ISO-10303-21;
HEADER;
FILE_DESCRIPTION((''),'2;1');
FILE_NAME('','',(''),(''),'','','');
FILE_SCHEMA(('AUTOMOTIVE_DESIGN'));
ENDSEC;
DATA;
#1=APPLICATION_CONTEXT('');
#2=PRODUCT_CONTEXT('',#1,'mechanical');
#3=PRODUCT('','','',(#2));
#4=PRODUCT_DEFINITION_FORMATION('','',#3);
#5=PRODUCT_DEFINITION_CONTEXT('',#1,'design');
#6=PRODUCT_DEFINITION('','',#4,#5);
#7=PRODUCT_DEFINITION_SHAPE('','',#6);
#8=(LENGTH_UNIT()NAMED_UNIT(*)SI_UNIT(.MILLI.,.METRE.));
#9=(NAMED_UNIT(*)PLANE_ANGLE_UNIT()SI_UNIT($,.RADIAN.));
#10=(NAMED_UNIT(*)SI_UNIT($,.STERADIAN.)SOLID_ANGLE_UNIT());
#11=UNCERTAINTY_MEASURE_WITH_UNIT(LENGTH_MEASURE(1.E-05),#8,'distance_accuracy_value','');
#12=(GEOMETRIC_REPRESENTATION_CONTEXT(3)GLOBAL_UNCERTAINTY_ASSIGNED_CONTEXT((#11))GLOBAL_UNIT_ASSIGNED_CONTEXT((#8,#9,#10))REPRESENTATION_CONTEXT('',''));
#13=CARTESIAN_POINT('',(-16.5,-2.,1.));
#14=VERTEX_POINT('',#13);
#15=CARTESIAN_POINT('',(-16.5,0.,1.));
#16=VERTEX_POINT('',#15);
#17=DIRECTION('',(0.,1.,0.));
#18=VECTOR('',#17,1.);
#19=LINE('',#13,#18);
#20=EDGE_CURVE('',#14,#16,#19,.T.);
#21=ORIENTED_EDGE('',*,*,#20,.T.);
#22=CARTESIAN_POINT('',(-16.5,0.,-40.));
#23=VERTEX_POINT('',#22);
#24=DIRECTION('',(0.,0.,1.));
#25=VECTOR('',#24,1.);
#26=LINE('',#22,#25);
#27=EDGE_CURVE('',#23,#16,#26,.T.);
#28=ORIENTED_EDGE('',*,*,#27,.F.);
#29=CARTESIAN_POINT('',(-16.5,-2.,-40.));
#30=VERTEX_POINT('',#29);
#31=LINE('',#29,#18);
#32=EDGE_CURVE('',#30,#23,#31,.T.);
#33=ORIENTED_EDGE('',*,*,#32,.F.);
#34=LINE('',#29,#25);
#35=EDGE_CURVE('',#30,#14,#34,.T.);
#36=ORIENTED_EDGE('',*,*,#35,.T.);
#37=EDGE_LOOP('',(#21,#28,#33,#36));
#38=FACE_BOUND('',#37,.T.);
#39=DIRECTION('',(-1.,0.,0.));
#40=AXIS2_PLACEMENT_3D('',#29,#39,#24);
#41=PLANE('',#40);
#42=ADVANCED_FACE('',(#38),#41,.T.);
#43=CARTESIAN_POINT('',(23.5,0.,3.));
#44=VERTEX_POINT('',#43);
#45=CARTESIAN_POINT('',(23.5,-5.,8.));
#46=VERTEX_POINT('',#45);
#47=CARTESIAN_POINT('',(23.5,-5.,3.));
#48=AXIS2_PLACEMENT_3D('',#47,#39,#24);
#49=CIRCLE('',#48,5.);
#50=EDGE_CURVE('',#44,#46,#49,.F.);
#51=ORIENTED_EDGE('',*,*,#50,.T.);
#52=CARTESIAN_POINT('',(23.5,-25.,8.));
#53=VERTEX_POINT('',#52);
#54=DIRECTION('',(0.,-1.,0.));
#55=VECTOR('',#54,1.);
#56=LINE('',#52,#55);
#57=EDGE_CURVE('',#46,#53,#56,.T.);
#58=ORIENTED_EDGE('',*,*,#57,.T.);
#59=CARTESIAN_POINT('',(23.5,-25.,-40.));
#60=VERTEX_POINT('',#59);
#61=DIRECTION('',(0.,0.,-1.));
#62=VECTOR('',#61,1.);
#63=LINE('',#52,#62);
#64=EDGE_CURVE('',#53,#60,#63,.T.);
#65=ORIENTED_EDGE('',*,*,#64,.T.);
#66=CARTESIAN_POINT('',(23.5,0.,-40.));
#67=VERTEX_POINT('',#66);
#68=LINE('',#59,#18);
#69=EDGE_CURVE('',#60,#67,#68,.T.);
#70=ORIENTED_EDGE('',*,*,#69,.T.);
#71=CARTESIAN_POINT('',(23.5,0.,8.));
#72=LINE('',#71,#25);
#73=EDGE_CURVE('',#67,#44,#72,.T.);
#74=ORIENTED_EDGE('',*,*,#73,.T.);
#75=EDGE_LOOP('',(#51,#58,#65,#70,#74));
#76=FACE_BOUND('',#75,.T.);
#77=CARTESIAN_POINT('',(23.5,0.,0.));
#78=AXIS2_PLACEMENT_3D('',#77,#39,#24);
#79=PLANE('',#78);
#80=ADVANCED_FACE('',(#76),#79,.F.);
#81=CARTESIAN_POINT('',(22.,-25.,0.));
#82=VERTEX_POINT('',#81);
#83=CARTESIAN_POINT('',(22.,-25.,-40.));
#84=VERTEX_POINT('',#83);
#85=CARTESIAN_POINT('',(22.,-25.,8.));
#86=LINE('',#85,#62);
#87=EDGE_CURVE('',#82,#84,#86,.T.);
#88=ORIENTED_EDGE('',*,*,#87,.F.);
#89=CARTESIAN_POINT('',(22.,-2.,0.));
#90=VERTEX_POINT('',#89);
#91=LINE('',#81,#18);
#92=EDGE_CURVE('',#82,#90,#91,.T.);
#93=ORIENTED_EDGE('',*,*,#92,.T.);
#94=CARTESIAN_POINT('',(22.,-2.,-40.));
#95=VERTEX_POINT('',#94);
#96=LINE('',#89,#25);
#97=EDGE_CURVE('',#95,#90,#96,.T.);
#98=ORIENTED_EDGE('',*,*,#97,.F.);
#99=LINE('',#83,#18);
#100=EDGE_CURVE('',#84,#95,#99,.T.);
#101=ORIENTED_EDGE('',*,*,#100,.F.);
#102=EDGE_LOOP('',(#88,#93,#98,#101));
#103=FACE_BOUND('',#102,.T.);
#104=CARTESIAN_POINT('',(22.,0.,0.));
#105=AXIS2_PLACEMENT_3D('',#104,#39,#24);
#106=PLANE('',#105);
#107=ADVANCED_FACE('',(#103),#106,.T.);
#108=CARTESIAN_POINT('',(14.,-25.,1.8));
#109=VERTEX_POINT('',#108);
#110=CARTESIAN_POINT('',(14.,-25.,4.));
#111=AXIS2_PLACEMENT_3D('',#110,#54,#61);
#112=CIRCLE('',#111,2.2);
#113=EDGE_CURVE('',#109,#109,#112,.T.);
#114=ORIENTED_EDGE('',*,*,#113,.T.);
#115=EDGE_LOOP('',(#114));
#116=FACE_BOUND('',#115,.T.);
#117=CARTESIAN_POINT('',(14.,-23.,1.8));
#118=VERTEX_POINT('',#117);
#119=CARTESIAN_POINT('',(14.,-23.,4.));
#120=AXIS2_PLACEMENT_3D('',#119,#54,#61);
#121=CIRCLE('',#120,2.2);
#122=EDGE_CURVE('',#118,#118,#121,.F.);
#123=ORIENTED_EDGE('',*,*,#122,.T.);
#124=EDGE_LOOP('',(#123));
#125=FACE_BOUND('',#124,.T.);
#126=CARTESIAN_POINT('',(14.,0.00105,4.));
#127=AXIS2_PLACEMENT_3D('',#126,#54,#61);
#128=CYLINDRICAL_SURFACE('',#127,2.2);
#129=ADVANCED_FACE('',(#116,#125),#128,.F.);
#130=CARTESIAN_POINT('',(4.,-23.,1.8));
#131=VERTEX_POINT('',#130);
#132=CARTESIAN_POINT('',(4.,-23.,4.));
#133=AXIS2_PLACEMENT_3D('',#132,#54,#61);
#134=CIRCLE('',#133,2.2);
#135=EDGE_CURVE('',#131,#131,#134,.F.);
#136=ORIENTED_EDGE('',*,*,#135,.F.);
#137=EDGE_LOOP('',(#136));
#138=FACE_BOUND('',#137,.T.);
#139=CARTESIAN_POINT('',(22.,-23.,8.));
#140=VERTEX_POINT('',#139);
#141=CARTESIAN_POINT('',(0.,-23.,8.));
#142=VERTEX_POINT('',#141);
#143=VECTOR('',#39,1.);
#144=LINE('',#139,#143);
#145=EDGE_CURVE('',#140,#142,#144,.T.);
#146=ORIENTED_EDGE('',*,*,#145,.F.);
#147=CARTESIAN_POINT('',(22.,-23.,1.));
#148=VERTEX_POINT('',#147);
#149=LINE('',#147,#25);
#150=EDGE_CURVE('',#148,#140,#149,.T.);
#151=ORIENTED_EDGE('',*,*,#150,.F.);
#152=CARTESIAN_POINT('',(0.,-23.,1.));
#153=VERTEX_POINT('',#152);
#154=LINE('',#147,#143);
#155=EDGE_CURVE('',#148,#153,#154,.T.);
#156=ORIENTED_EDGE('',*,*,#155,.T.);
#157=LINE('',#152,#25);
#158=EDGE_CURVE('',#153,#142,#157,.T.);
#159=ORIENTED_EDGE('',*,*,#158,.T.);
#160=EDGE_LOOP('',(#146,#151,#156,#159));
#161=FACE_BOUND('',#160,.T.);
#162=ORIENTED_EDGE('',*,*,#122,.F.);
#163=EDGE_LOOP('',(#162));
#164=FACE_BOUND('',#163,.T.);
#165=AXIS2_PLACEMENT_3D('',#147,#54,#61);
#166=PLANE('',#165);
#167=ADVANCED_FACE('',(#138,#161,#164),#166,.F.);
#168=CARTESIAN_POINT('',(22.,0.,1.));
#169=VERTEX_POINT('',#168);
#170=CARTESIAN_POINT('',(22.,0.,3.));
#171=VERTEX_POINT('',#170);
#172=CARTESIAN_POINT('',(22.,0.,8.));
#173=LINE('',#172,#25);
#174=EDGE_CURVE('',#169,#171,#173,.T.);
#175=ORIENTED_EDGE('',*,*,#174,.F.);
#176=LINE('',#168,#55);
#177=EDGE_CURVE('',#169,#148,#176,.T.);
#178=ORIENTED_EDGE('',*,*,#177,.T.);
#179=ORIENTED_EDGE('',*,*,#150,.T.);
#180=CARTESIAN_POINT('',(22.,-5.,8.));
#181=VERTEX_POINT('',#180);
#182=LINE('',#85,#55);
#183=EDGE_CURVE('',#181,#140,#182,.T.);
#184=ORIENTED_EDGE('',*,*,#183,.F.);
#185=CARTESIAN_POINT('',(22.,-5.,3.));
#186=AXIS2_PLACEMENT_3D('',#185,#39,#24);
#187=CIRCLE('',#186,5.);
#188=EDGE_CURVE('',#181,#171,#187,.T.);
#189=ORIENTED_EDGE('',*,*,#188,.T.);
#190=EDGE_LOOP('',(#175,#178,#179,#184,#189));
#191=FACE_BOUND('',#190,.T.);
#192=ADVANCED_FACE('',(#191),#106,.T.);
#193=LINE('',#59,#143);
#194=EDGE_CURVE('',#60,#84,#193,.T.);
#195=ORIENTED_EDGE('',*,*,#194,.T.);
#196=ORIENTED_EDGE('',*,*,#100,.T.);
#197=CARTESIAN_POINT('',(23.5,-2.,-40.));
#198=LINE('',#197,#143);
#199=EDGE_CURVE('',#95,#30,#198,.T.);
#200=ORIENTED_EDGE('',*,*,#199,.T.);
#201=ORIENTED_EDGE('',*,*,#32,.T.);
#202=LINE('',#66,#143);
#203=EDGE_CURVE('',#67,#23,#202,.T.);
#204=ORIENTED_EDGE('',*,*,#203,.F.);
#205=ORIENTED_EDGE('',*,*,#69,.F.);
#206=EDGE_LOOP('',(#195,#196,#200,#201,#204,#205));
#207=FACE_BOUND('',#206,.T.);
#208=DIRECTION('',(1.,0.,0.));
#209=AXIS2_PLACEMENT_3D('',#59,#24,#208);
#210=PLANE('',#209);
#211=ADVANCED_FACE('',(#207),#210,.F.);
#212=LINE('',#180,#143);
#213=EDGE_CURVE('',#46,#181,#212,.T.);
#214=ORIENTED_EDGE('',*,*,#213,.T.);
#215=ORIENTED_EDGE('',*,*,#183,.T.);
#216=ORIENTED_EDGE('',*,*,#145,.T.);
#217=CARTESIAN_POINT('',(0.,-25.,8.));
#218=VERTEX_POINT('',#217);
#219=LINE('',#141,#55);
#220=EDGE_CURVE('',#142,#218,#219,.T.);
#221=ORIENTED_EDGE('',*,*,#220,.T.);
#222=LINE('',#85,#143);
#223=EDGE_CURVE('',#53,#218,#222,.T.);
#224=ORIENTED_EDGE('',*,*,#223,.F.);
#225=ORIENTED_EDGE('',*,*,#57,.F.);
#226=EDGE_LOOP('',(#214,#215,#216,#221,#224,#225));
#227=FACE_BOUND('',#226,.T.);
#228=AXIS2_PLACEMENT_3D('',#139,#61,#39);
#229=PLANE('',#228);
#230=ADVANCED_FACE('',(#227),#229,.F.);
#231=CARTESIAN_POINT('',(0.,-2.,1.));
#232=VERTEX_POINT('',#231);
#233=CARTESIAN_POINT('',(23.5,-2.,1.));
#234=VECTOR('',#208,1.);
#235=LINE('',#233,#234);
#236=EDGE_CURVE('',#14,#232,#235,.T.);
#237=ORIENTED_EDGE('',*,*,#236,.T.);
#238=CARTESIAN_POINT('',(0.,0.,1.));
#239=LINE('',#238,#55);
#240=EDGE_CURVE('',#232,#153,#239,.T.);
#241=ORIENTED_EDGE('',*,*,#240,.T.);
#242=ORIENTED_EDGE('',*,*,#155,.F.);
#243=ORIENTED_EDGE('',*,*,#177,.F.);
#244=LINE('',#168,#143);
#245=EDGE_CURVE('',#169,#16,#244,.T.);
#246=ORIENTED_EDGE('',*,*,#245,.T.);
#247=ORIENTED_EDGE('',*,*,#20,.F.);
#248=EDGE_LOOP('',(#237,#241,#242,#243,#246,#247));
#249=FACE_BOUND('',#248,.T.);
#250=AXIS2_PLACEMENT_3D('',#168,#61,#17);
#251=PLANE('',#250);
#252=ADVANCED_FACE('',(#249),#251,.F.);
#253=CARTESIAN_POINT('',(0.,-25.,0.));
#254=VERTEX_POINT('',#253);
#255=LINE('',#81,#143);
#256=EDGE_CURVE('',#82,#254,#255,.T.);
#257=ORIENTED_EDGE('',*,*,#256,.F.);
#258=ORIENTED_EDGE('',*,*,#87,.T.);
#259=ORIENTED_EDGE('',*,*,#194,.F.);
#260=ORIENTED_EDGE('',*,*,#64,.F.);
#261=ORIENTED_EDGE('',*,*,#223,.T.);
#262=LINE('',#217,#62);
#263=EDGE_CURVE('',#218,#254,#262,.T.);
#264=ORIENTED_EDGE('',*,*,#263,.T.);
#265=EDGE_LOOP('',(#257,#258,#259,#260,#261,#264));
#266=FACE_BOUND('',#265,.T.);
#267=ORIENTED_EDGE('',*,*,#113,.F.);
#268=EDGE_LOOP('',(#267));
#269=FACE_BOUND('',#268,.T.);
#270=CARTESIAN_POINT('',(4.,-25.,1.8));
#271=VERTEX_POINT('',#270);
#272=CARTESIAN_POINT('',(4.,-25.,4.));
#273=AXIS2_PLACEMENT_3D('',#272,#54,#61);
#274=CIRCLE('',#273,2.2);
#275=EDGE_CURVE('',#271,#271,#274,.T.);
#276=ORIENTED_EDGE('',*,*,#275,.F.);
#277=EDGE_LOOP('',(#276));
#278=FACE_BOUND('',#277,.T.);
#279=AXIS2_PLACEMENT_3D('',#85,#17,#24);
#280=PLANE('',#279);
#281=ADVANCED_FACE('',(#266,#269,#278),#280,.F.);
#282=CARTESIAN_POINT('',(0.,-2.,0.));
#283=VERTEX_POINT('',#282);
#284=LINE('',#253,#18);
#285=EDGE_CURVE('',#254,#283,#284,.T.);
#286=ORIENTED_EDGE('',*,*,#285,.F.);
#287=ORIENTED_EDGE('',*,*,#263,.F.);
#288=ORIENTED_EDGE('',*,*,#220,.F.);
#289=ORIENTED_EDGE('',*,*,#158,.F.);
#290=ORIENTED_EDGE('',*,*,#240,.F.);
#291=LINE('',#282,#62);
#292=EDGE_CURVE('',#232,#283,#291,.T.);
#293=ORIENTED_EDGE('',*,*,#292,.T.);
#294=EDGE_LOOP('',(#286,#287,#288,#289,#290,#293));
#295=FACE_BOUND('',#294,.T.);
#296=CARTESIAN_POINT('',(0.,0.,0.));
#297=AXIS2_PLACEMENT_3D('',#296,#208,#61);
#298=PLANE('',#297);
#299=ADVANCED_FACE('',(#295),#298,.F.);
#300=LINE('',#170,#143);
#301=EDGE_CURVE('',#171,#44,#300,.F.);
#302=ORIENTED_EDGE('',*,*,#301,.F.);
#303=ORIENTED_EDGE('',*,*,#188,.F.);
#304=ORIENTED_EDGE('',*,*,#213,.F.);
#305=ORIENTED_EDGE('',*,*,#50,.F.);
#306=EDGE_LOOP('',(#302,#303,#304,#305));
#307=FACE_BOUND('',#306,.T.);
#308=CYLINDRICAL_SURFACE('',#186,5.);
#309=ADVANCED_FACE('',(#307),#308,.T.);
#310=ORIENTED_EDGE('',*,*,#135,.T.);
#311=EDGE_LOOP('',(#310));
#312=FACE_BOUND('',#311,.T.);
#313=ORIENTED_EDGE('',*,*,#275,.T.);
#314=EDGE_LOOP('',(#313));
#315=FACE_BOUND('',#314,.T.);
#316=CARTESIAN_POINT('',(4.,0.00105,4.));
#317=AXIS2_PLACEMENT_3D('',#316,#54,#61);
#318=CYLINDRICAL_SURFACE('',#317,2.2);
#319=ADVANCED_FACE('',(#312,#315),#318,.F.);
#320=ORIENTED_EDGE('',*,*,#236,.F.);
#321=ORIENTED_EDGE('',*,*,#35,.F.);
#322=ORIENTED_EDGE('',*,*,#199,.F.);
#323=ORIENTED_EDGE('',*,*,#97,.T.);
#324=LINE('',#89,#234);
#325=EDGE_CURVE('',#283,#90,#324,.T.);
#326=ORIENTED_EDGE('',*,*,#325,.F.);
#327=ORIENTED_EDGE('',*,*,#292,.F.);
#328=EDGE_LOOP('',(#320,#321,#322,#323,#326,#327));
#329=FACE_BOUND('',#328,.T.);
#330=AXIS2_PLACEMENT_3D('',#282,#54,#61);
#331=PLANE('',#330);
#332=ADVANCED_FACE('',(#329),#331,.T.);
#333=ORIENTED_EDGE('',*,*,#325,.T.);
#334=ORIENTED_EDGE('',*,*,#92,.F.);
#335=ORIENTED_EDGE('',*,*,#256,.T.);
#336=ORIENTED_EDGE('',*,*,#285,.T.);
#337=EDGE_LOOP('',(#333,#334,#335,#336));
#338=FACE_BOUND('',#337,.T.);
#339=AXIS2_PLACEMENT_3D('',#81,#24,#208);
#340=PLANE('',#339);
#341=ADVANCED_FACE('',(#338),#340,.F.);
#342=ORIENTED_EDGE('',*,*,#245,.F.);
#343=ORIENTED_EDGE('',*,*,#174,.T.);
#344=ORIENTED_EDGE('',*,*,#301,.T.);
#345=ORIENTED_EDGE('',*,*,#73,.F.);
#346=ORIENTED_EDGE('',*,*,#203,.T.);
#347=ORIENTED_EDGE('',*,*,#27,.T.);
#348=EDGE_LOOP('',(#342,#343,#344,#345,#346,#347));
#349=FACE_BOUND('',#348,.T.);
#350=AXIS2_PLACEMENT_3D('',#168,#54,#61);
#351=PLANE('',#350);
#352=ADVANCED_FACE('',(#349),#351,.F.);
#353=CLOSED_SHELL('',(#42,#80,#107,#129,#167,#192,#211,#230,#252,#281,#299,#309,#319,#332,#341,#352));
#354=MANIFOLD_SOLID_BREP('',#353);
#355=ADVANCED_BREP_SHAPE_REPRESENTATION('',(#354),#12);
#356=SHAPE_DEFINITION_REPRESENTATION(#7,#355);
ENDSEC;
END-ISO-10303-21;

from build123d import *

# Parameters (mm, degrees)
BOSS_EXTRUDE1_DEPTH = 22
SKETCH4_W           = 48
SKETCH4_H           = 25
BOSS_EXTRUDE3_DEPTH = 1.5
SKETCH5_W           = 40
SKETCH5_H           = 41
BOSS_EXTRUDE4_DEPTH = 2
CUT_EXTRUDE2_REACH  = 54.7
SKETCH6_R           = 2.2
LPATTERN2_COUNT     = 2
LPATTERN2_PITCH     = 10
FILLET2_R           = 5


with BuildPart() as part:
    # Sketch1 → Boss-Extrude1 (new body)
    with BuildSketch(Plane(origin=(0, 0, 0), x_dir=(0, 0, -1), z_dir=(1, 0, 0))):
        Polygon((-8, -25), (0, -25), (0, 0), (-1, 0), (-1, -23), (-8, -23), align=None)
    extrude(amount=BOSS_EXTRUDE1_DEPTH)

    # Sketch4 → Boss-Extrude3 (add)
    with BuildSketch(Plane(origin=(22, 0, 0), x_dir=(0, 0, -1), z_dir=(1, 0, 0))):
        with Locations((16, -12.5)):
            Rectangle(SKETCH4_W, SKETCH4_H)
    extrude(amount=BOSS_EXTRUDE3_DEPTH)

    # Sketch5 → Boss-Extrude4 (add)
    with BuildSketch(Plane(origin=(0, 0, 0), x_dir=(1, 0, 0), z_dir=(0, 1, 0))):
        with Locations((3.5, 19.5)):
            Rectangle(SKETCH5_W, SKETCH5_H)
    extrude(amount=-BOSS_EXTRUDE4_DEPTH)

    # Sketch6 → Cut-Extrude2 (cut, up to next)
    with BuildSketch(Plane.XZ.offset(25), mode=Mode.PRIVATE) as cut_extrude2_sk1:
        with Locations(Location((14, 4, 0), (0, 0, 270))):
            Circle(SKETCH6_R)
    cut_extrude2_tool1 = extrude(cut_extrude2_sk1.sketch, amount=-CUT_EXTRUDE2_REACH, mode=Mode.PRIVATE) & part.part
    cut_extrude2 = cut_extrude2_tool1.solids().sort_by_distance((14, -25, 4))[0]
    add(cut_extrude2, mode=Mode.SUBTRACT)

    # LPattern2: Cut-Extrude2 ×2
    with Locations(*[(-i * LPATTERN2_PITCH, 0, 0) for i in range(1, LPATTERN2_COUNT)]):
        add(cut_extrude2, mode=Mode.SUBTRACT)

    # Fillet2
    fillet2_edges = [part.edges().sort_by_distance(p)[0] for p in [
        (22.75, 0, 8),
    ]]
    fillet(fillet2_edges, radius=FILLET2_R)


solid = part.part
